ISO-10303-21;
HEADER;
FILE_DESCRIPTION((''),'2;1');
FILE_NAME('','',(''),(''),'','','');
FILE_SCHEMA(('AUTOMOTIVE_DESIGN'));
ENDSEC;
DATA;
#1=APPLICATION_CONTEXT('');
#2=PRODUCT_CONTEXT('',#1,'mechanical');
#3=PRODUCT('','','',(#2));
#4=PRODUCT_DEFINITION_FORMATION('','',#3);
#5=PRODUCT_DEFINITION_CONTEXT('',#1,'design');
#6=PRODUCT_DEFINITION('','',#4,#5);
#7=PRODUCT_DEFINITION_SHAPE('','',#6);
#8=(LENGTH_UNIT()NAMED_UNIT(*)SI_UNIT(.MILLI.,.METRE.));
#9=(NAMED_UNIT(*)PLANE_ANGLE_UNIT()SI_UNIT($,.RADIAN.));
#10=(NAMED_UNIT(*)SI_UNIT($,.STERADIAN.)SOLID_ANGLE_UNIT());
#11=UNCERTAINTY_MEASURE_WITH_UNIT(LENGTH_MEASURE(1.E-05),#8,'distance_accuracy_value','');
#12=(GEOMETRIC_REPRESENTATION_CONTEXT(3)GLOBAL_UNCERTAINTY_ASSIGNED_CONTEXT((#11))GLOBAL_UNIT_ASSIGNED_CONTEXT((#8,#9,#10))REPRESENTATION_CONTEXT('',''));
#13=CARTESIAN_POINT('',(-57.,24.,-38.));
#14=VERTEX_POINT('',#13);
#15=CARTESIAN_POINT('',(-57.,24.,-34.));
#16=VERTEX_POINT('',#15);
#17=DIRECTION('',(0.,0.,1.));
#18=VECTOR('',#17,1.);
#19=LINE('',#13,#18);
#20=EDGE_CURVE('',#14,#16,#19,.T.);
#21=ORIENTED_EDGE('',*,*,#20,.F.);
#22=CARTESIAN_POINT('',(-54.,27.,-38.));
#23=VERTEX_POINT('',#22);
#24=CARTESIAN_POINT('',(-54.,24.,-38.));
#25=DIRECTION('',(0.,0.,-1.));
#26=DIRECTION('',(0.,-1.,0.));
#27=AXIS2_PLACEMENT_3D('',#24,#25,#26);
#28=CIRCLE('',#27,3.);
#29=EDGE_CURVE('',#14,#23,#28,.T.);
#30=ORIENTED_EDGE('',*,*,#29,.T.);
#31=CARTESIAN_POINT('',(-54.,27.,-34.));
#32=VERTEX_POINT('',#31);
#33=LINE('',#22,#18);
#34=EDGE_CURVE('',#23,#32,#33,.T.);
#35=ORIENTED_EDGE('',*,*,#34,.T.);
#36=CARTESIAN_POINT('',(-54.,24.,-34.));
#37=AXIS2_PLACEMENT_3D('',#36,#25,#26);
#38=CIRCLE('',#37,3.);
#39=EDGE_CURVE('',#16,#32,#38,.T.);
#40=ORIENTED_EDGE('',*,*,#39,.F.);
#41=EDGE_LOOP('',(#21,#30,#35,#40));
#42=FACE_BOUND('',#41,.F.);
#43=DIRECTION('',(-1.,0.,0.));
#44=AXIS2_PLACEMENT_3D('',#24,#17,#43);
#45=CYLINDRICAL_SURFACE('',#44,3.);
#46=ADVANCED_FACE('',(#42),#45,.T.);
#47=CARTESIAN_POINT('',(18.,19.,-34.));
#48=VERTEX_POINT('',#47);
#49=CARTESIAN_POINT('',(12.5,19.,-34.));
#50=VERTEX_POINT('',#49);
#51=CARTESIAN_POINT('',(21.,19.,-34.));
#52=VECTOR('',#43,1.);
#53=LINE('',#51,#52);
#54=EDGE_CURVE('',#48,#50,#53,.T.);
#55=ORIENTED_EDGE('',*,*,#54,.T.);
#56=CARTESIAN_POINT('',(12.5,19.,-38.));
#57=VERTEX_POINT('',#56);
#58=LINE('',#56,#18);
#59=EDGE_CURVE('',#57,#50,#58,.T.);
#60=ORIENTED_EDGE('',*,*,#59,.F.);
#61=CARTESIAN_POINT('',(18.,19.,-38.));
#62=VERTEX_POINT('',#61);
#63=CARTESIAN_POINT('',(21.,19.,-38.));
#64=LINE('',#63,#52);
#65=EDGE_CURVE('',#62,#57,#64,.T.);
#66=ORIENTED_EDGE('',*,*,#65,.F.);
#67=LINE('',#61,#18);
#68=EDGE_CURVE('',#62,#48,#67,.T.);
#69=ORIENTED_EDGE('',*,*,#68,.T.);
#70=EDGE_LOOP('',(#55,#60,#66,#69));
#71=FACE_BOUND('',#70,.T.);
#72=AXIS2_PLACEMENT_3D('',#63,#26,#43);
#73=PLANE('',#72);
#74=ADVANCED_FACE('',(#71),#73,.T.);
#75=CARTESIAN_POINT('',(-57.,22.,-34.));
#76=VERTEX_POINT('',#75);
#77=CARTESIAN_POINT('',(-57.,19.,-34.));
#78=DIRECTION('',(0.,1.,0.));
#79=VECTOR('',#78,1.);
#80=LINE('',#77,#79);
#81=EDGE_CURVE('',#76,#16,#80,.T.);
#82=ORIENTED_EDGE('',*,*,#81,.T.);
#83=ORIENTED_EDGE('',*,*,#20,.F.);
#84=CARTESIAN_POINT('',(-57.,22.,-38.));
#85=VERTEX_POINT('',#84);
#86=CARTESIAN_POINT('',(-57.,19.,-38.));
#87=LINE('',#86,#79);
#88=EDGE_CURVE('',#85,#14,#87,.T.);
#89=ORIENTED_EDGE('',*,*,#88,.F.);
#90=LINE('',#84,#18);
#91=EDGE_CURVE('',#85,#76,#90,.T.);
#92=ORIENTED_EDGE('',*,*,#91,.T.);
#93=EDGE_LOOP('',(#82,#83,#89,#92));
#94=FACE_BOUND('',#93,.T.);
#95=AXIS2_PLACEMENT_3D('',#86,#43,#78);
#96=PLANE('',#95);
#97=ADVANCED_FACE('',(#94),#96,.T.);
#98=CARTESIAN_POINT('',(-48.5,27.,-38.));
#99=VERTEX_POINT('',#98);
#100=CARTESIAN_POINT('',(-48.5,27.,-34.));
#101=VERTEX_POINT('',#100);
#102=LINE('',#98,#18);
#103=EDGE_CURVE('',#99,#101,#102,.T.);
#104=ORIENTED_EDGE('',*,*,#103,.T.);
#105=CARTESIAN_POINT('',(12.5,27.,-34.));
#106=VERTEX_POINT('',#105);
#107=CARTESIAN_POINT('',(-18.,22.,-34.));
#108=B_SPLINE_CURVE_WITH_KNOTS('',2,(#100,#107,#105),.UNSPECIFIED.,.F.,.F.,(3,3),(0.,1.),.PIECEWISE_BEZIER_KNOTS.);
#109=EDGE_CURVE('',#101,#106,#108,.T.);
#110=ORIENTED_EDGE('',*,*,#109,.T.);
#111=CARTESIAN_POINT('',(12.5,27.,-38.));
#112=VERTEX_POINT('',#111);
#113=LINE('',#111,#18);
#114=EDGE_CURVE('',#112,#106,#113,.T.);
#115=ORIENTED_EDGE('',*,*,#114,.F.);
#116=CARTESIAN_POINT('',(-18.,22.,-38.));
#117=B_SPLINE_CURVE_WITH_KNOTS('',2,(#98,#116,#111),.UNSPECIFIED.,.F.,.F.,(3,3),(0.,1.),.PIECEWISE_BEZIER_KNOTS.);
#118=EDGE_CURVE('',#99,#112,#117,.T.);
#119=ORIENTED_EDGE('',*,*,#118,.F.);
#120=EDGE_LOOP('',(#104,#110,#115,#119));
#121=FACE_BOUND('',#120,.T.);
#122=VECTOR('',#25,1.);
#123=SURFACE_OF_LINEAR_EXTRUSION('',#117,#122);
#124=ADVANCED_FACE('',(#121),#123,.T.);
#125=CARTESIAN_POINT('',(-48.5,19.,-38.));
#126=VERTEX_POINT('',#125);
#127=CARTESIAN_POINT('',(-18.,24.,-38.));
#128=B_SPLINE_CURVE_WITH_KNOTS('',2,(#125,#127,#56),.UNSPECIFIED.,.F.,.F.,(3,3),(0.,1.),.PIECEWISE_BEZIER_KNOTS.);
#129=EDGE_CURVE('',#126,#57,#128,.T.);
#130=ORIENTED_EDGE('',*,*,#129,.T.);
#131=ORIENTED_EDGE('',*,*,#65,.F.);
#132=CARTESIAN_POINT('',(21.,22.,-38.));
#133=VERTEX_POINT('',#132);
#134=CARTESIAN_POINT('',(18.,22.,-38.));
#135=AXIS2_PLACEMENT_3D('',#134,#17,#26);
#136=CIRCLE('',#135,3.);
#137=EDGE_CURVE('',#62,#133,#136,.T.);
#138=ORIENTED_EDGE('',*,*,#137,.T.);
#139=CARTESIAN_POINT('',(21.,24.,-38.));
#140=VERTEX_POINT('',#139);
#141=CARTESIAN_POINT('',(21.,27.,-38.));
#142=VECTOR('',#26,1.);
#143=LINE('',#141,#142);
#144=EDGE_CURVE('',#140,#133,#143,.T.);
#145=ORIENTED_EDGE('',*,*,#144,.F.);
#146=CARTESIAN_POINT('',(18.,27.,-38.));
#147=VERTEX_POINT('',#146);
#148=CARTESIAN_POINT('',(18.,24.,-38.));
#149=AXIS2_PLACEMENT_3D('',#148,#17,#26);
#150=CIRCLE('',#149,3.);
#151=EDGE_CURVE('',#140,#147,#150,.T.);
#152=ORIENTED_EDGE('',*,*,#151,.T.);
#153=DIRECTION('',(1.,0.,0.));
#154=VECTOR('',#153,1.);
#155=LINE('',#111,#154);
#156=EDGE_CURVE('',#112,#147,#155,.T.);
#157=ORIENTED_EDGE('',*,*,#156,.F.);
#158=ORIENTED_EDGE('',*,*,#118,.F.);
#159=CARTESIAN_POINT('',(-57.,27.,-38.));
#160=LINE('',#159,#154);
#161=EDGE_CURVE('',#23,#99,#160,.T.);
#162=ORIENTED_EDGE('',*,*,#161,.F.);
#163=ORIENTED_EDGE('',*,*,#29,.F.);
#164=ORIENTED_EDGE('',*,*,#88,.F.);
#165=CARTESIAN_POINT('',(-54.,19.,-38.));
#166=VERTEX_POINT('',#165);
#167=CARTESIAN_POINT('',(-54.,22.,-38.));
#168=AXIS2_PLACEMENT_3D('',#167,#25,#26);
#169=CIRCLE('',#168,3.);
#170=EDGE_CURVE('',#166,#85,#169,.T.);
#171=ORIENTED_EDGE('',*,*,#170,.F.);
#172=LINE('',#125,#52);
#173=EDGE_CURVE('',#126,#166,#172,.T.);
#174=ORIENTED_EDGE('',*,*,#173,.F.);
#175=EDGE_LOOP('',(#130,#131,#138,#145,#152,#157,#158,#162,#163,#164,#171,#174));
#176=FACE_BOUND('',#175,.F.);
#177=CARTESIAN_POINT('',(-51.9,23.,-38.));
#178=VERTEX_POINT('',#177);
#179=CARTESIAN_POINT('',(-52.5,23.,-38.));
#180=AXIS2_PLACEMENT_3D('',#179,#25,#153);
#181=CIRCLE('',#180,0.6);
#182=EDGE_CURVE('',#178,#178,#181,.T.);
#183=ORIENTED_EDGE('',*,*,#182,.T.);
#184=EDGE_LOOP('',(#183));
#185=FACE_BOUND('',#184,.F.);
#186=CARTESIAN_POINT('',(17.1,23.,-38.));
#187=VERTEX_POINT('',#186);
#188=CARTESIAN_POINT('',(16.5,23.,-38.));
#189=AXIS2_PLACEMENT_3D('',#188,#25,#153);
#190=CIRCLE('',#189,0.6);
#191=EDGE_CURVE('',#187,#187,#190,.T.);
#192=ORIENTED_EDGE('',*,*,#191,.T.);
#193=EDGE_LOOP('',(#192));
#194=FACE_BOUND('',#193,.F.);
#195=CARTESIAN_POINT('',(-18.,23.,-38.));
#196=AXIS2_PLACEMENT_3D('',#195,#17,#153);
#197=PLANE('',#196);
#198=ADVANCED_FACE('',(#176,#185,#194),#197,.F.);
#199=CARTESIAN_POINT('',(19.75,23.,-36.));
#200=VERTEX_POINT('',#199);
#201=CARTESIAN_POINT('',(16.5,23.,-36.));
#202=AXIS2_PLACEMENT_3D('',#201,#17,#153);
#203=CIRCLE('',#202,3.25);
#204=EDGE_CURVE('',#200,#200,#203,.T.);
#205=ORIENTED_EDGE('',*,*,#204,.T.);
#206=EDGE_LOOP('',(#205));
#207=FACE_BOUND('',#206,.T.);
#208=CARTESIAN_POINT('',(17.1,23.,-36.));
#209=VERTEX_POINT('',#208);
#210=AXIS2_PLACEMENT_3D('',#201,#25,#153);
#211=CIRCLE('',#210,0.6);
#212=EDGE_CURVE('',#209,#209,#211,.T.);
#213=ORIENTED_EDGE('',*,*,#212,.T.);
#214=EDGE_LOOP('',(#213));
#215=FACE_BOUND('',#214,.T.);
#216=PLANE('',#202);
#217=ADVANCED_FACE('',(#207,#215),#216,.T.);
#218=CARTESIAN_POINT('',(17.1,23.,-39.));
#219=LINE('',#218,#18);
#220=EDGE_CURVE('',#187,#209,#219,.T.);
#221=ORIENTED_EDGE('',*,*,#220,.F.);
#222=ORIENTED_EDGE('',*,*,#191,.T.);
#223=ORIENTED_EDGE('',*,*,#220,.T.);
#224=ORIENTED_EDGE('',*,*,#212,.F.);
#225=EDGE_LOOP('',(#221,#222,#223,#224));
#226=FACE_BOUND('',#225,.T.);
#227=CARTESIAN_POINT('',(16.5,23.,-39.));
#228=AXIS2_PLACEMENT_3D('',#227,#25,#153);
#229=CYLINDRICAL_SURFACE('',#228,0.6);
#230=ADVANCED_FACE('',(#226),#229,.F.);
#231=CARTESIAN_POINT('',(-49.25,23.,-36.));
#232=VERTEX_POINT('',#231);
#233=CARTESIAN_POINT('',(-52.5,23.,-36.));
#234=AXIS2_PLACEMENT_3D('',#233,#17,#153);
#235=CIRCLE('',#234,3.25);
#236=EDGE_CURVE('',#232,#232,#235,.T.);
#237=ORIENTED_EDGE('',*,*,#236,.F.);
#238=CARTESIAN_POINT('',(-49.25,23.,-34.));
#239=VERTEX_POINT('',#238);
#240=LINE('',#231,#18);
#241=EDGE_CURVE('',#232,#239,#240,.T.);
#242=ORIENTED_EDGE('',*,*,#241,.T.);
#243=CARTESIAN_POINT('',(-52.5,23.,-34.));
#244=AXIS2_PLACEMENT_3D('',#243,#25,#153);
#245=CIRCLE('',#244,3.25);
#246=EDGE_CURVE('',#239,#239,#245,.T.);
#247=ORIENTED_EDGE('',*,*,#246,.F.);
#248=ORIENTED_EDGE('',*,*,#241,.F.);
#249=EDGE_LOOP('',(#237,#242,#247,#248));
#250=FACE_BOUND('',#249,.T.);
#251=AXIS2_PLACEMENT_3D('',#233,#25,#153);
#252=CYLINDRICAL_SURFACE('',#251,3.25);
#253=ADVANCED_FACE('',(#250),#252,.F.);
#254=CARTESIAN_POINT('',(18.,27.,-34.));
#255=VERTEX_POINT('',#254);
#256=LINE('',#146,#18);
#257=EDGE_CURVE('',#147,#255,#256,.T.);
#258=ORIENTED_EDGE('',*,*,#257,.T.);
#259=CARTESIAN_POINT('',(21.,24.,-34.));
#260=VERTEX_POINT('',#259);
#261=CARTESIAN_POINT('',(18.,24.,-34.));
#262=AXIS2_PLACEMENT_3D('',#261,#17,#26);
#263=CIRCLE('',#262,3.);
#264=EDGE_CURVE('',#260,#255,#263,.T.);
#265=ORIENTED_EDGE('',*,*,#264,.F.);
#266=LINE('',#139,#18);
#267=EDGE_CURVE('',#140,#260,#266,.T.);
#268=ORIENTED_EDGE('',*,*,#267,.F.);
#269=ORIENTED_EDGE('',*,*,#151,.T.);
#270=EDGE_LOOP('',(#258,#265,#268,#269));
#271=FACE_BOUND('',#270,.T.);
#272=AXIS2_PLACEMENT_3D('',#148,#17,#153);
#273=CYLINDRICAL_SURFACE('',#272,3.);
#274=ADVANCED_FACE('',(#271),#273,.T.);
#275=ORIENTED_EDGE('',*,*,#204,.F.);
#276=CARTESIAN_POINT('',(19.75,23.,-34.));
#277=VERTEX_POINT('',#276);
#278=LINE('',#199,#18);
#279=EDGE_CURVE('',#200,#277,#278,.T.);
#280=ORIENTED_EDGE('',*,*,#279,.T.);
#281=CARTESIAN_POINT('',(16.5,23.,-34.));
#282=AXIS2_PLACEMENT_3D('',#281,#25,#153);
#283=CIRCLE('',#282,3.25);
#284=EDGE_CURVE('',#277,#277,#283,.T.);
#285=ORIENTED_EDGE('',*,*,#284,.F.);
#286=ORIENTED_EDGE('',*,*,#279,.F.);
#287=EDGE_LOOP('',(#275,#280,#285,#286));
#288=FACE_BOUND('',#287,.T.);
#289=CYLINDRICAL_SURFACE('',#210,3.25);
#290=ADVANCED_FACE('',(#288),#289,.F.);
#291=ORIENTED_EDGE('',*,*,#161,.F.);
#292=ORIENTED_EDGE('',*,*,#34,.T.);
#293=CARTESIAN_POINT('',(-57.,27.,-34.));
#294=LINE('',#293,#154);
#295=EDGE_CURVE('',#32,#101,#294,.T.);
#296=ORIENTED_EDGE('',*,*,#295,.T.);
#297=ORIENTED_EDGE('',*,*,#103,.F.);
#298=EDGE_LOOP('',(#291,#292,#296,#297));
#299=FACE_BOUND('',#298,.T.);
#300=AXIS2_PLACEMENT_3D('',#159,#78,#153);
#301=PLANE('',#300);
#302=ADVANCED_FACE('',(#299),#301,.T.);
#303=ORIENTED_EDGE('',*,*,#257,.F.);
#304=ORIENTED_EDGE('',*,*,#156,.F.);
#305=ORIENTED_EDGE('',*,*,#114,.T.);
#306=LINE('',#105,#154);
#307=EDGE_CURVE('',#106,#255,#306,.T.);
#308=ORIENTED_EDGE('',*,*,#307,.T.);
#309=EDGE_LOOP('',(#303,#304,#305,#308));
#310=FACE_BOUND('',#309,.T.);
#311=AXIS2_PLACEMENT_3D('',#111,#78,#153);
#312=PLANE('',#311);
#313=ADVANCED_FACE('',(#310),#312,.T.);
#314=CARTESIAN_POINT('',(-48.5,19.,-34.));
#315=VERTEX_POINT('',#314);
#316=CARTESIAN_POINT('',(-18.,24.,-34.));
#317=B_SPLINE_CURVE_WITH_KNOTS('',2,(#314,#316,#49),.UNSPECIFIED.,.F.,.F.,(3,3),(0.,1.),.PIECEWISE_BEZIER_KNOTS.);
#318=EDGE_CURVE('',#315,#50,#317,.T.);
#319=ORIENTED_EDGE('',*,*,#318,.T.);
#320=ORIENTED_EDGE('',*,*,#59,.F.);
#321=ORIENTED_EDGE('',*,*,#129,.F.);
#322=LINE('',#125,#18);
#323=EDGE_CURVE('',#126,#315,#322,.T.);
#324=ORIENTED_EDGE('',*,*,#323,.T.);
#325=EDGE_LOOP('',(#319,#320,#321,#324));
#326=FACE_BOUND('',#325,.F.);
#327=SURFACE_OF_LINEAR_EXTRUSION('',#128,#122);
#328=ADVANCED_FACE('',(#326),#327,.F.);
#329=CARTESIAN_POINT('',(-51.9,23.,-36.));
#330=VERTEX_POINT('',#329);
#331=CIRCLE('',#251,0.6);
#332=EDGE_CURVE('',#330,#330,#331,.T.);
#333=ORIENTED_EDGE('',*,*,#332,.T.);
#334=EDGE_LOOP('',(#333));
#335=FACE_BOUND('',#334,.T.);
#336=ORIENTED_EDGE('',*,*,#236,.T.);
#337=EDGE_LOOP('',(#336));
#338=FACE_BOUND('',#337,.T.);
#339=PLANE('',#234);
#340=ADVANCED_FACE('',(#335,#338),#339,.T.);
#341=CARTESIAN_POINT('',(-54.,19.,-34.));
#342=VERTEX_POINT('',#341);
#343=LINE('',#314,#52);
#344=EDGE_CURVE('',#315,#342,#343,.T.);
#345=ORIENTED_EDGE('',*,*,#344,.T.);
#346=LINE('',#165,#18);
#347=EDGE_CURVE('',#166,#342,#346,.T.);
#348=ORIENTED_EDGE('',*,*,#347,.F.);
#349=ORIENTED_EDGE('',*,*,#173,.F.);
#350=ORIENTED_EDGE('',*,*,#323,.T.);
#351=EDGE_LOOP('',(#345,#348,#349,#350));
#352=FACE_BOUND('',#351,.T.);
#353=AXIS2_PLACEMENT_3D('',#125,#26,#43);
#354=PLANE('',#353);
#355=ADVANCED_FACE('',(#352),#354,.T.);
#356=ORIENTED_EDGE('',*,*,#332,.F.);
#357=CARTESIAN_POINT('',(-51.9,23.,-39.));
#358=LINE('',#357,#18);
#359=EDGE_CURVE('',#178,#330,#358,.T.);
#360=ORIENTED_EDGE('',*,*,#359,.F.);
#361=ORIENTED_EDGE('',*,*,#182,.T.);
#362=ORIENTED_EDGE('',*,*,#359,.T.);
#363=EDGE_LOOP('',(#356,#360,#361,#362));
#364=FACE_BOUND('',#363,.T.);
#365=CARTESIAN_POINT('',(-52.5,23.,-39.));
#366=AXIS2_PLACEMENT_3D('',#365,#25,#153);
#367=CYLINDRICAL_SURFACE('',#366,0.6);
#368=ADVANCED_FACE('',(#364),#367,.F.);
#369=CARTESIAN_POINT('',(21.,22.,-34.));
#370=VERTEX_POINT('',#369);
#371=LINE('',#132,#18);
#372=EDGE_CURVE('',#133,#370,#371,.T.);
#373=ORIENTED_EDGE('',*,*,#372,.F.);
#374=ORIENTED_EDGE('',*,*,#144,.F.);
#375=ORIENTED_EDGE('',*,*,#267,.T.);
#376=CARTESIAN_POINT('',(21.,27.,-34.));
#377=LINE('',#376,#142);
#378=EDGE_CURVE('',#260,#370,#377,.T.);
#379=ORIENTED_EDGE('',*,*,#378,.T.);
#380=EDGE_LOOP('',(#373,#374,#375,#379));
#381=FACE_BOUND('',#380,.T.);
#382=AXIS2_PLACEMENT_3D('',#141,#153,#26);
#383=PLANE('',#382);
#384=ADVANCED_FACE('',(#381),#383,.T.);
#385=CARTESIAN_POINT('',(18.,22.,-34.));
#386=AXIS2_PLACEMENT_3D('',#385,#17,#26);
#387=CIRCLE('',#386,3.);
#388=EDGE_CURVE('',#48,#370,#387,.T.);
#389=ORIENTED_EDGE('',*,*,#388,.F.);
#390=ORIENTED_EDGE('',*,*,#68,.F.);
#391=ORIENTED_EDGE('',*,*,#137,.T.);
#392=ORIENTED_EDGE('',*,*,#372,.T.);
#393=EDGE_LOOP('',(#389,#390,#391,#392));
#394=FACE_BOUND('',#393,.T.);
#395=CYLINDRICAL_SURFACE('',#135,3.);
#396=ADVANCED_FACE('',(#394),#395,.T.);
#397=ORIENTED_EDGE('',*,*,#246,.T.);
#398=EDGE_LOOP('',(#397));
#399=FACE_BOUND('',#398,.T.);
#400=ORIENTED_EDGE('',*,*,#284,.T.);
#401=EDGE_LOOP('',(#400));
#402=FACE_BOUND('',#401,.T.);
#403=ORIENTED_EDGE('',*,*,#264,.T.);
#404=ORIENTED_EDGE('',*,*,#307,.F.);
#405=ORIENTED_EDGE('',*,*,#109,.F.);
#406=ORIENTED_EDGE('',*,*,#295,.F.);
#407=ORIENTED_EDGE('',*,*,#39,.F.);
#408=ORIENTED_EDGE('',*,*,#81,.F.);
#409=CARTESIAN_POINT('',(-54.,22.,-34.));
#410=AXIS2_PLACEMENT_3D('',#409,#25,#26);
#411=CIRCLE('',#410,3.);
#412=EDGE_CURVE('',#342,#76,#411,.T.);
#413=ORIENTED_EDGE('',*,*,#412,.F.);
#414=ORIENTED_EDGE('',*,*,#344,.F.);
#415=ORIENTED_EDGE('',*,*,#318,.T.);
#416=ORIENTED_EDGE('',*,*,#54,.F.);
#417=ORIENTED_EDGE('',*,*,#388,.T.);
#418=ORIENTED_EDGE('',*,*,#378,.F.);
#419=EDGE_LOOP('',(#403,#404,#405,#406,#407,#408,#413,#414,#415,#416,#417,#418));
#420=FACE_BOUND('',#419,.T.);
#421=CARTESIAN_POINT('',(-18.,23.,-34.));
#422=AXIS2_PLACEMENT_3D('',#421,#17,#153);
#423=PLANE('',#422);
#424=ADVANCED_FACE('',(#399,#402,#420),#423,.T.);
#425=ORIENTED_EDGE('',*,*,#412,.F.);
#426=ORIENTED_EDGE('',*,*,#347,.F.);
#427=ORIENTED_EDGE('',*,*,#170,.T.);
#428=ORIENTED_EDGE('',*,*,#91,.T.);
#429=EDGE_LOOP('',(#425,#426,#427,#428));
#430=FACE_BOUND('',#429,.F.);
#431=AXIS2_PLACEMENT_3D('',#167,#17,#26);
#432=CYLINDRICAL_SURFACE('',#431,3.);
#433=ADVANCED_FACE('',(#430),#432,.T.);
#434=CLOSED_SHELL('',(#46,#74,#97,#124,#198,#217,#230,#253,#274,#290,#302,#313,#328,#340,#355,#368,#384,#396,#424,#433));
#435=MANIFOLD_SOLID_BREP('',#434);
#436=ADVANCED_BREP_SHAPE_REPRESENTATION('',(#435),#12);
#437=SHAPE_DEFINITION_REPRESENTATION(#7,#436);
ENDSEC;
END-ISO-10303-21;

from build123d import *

# Parameters (mm, degrees)
CYLINDER097_R     = 3.25
CYLINDER097_DEPTH = 3.5
CYLINDER121_R     = 0.6
CYLINDER121_DEPTH = 9.5
CYLINDER122_R     = 0.6
CYLINDER122_DEPTH = 9.5
CYLINDER095_R     = 3.25
CYLINDER095_DEPTH = 3.5
PAD009_DEPTH      = 4
FILLET075_R       = 3


with BuildPart() as zylinder097:
    # Cylinder097 → Cylinder097 (new body)
    with BuildSketch(Plane(origin=(-52.5, 23, -36), x_dir=(1, 0, 0), z_dir=(0, 0, 1))):
        Circle(CYLINDER097_R)
    extrude(amount=CYLINDER097_DEPTH)


with BuildPart() as zylinder121:
    # Cylinder121 → Cylinder121 (new body)
    with BuildSketch(Plane(origin=(16.5, 23, -39), x_dir=(1, 0, 0), z_dir=(0, 0, 1))):
        Circle(CYLINDER121_R)
    extrude(amount=CYLINDER121_DEPTH)


with BuildPart() as zylinder122:
    # Cylinder122 → Cylinder122 (new body)
    with BuildSketch(Plane(origin=(-52.5, 23, -39), x_dir=(1, 0, 0), z_dir=(0, 0, 1))):
        Circle(CYLINDER122_R)
    extrude(amount=CYLINDER122_DEPTH)


with BuildPart() as fusion081:
    # Cylinder095 → Cylinder095 (new body)
    with BuildSketch(Plane(origin=(16.5, 23, -36), x_dir=(1, 0, 0), z_dir=(0, 0, 1))):
        Circle(CYLINDER095_R)
    extrude(amount=CYLINDER095_DEPTH)

    # Fusion081: union Zylinder097, Zylinder121, Zylinder122
    add(zylinder097.part)
    add(zylinder121.part)
    add(zylinder122.part)


with BuildPart() as fillet075:
    # Sketch009 → Pad009 (new body)
    with BuildSketch(Plane.XY):
        with BuildLine():
            add(Edge.make_bspline(
                [(-48.5, 19), (-18, 24), (12.5, 19)],
                knots=[0, 0, 0, 1, 1, 1], degree=2))
            Line((-48.5, 19), (-57, 19))
            Line((-57, 19), (-57, 27))
            Line((-57, 27), (-48.5, 27))
            add(Edge.make_bspline(
                [(-48.5, 27), (-18, 22), (12.5, 27)],
                knots=[0, 0, 0, 1, 1, 1], degree=2))
            Line((12.5, 27), (21, 27))
            Line((21, 27), (21, 19))
            Line((21, 19), (12.5, 19))
        make_face()
    extrude(amount=PAD009_DEPTH)


with BuildPart() as fillet075_1:
    # Body002 placement: moved
    add(fillet075.part.moved(Location((0, 0, -38))))

    # Cut061: cut Fusion081
    add(fusion081.part, mode=Mode.SUBTRACT)

    # Fillet075
    fillet075_edges = [fillet075_1.edges().sort_by_distance(p)[0] for p in [
        (-57, 19, -36),
        (21, 19, -36),
        (-57, 27, -36),
        (21, 27, -36),
    ]]
    fillet(fillet075_edges, radius=FILLET075_R)


solid = fillet075_1.part
